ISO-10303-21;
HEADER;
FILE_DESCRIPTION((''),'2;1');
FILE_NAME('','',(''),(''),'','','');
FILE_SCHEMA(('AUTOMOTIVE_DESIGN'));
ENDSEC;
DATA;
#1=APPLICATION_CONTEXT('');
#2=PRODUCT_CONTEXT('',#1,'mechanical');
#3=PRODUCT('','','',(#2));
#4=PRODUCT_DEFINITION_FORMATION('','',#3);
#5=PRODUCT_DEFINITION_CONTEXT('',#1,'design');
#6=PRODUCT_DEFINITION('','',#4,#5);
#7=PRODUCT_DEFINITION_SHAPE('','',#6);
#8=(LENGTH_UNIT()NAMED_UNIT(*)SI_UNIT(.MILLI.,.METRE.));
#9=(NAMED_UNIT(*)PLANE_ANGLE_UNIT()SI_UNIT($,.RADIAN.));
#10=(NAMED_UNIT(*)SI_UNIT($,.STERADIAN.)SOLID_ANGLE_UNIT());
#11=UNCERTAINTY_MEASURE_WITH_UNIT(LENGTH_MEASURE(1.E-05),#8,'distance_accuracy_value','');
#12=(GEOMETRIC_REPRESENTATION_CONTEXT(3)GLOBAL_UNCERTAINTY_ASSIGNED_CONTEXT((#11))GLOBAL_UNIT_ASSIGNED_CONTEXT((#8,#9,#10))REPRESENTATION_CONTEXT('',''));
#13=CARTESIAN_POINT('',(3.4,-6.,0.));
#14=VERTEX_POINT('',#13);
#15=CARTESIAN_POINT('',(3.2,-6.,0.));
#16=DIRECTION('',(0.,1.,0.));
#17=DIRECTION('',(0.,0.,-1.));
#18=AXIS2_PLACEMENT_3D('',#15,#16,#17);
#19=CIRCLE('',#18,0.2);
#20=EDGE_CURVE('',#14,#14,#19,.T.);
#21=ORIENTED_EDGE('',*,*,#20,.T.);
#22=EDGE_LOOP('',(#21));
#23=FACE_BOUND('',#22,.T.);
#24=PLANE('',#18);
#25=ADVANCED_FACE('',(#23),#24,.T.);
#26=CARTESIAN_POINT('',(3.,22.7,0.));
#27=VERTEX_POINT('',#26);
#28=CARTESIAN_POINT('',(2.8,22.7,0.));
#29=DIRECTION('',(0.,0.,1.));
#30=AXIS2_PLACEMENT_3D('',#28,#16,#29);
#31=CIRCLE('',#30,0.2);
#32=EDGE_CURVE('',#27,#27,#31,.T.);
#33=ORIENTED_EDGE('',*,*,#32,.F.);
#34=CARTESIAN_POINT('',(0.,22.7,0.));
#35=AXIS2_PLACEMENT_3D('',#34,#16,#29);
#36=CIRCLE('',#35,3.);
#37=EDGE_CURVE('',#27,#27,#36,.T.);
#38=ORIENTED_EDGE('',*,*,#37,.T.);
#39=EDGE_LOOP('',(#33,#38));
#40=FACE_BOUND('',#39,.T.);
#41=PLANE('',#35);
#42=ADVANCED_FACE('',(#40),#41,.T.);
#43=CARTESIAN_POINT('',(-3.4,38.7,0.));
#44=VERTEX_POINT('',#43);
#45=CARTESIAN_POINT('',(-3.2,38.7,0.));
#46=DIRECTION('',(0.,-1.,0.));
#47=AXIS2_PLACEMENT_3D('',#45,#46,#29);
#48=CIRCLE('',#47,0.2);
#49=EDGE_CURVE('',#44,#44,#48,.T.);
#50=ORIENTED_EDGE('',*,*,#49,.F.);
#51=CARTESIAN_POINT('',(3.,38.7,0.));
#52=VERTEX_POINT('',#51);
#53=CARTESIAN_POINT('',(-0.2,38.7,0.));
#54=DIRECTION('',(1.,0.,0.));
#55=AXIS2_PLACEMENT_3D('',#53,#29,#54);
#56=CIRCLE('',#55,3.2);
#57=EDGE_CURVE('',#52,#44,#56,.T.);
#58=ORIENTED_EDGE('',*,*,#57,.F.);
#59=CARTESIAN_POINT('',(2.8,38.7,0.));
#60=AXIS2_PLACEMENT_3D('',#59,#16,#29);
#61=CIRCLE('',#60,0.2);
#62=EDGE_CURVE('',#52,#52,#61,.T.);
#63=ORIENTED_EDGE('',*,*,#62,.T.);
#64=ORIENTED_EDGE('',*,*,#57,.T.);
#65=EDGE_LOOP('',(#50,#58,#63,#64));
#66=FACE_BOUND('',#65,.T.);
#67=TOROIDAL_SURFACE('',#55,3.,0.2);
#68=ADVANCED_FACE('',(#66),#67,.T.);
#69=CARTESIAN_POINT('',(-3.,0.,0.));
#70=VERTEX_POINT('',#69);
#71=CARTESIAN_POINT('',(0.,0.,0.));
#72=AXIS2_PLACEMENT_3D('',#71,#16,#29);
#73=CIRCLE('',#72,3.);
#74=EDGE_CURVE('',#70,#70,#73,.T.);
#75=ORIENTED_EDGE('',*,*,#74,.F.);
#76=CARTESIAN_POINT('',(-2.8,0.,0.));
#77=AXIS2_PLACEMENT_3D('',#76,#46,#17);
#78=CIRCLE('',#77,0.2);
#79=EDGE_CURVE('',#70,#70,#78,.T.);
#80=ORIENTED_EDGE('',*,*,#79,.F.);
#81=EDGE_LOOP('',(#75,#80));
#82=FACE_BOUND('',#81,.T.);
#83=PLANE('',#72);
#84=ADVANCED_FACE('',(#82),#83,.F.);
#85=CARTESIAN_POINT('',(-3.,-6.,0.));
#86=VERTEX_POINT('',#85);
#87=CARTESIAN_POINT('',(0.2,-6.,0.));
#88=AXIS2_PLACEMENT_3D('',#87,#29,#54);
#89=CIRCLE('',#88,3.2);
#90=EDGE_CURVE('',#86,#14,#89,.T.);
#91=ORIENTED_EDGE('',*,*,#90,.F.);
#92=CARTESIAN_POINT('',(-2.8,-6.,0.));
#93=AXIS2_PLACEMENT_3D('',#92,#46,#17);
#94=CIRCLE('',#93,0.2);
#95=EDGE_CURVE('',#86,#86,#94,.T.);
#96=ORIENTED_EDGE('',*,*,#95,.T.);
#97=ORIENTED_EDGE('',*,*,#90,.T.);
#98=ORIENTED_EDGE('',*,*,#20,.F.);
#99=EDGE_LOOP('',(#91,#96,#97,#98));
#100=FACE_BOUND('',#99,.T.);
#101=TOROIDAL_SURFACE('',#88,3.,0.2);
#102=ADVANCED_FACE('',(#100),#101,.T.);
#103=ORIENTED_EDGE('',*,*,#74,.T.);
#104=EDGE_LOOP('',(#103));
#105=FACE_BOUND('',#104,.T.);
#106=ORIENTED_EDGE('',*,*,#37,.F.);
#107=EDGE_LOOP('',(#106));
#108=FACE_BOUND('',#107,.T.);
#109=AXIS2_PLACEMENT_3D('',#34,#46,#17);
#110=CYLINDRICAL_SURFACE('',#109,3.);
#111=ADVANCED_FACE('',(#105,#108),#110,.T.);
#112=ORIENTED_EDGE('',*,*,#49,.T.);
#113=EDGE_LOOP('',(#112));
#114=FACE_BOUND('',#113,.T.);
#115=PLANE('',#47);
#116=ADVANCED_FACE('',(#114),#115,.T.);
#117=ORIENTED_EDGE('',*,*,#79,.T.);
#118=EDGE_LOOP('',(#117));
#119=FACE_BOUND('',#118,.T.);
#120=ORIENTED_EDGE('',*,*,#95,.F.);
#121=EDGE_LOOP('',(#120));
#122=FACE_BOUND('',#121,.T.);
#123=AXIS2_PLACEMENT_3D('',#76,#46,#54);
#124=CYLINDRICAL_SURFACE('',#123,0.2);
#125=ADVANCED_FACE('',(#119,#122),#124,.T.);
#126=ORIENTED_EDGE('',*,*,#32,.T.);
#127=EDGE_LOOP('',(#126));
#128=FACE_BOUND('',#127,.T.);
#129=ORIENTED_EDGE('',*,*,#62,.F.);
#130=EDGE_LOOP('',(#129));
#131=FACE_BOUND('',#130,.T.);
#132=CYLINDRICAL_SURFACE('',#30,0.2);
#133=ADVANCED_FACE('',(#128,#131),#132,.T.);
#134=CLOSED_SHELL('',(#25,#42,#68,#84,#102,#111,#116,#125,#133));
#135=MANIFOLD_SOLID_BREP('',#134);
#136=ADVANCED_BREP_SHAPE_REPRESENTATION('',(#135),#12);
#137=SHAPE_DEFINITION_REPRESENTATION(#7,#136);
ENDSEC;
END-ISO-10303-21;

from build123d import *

# Parameters (mm, degrees)
SKETCH1_R           = 3
BOSS_EXTRUDE1_DEPTH = 22.7
SKETCH3_R           = 0.2
SKETCH5_R           = 0.2


with BuildPart() as part:
    # Sketch1 → Boss-Extrude1 (new body)
    with BuildSketch(Plane(origin=(0, 0, 0), x_dir=(1, 0, 0), z_dir=(0, 1, 0))):
        with Locations(Location((0, 0, 0), (0, 0, 270))):
            Circle(SKETCH1_R)
    extrude(amount=BOSS_EXTRUDE1_DEPTH)

    # Sweep1: sweep along a path in Sketch2
    with BuildLine(Plane.XY) as sweep1_path:
        Line((2.8, 22.7), (2.8, 38.7))
        ThreePointArc((2.8, 38.7), (-0.2, 41.7), (-3.2, 38.7))
    # Sketch3 → Sweep1 (sweep)
    with BuildSketch(Plane(origin=(0, 22.7, 0), x_dir=(1, 0, 0), z_dir=(0, 1, 0))):
        with Locations((2.8, 0)):
            Circle(SKETCH3_R)
    sweep(path=sweep1_path.line)

    # Sweep2: sweep along a path in Sketch4
    with BuildLine(Plane.XY) as sweep2_path:
        Line((-2.8, 0), (-2.8, -6))
        ThreePointArc((-2.8, -6), (0.2, -9), (3.2, -6))
    # Sketch5 → Sweep2 (sweep)
    with BuildSketch(Plane.XZ):
        with Locations((-2.8, 0)):
            Circle(SKETCH5_R)
    sweep(path=sweep2_path.line)


solid = part.part
